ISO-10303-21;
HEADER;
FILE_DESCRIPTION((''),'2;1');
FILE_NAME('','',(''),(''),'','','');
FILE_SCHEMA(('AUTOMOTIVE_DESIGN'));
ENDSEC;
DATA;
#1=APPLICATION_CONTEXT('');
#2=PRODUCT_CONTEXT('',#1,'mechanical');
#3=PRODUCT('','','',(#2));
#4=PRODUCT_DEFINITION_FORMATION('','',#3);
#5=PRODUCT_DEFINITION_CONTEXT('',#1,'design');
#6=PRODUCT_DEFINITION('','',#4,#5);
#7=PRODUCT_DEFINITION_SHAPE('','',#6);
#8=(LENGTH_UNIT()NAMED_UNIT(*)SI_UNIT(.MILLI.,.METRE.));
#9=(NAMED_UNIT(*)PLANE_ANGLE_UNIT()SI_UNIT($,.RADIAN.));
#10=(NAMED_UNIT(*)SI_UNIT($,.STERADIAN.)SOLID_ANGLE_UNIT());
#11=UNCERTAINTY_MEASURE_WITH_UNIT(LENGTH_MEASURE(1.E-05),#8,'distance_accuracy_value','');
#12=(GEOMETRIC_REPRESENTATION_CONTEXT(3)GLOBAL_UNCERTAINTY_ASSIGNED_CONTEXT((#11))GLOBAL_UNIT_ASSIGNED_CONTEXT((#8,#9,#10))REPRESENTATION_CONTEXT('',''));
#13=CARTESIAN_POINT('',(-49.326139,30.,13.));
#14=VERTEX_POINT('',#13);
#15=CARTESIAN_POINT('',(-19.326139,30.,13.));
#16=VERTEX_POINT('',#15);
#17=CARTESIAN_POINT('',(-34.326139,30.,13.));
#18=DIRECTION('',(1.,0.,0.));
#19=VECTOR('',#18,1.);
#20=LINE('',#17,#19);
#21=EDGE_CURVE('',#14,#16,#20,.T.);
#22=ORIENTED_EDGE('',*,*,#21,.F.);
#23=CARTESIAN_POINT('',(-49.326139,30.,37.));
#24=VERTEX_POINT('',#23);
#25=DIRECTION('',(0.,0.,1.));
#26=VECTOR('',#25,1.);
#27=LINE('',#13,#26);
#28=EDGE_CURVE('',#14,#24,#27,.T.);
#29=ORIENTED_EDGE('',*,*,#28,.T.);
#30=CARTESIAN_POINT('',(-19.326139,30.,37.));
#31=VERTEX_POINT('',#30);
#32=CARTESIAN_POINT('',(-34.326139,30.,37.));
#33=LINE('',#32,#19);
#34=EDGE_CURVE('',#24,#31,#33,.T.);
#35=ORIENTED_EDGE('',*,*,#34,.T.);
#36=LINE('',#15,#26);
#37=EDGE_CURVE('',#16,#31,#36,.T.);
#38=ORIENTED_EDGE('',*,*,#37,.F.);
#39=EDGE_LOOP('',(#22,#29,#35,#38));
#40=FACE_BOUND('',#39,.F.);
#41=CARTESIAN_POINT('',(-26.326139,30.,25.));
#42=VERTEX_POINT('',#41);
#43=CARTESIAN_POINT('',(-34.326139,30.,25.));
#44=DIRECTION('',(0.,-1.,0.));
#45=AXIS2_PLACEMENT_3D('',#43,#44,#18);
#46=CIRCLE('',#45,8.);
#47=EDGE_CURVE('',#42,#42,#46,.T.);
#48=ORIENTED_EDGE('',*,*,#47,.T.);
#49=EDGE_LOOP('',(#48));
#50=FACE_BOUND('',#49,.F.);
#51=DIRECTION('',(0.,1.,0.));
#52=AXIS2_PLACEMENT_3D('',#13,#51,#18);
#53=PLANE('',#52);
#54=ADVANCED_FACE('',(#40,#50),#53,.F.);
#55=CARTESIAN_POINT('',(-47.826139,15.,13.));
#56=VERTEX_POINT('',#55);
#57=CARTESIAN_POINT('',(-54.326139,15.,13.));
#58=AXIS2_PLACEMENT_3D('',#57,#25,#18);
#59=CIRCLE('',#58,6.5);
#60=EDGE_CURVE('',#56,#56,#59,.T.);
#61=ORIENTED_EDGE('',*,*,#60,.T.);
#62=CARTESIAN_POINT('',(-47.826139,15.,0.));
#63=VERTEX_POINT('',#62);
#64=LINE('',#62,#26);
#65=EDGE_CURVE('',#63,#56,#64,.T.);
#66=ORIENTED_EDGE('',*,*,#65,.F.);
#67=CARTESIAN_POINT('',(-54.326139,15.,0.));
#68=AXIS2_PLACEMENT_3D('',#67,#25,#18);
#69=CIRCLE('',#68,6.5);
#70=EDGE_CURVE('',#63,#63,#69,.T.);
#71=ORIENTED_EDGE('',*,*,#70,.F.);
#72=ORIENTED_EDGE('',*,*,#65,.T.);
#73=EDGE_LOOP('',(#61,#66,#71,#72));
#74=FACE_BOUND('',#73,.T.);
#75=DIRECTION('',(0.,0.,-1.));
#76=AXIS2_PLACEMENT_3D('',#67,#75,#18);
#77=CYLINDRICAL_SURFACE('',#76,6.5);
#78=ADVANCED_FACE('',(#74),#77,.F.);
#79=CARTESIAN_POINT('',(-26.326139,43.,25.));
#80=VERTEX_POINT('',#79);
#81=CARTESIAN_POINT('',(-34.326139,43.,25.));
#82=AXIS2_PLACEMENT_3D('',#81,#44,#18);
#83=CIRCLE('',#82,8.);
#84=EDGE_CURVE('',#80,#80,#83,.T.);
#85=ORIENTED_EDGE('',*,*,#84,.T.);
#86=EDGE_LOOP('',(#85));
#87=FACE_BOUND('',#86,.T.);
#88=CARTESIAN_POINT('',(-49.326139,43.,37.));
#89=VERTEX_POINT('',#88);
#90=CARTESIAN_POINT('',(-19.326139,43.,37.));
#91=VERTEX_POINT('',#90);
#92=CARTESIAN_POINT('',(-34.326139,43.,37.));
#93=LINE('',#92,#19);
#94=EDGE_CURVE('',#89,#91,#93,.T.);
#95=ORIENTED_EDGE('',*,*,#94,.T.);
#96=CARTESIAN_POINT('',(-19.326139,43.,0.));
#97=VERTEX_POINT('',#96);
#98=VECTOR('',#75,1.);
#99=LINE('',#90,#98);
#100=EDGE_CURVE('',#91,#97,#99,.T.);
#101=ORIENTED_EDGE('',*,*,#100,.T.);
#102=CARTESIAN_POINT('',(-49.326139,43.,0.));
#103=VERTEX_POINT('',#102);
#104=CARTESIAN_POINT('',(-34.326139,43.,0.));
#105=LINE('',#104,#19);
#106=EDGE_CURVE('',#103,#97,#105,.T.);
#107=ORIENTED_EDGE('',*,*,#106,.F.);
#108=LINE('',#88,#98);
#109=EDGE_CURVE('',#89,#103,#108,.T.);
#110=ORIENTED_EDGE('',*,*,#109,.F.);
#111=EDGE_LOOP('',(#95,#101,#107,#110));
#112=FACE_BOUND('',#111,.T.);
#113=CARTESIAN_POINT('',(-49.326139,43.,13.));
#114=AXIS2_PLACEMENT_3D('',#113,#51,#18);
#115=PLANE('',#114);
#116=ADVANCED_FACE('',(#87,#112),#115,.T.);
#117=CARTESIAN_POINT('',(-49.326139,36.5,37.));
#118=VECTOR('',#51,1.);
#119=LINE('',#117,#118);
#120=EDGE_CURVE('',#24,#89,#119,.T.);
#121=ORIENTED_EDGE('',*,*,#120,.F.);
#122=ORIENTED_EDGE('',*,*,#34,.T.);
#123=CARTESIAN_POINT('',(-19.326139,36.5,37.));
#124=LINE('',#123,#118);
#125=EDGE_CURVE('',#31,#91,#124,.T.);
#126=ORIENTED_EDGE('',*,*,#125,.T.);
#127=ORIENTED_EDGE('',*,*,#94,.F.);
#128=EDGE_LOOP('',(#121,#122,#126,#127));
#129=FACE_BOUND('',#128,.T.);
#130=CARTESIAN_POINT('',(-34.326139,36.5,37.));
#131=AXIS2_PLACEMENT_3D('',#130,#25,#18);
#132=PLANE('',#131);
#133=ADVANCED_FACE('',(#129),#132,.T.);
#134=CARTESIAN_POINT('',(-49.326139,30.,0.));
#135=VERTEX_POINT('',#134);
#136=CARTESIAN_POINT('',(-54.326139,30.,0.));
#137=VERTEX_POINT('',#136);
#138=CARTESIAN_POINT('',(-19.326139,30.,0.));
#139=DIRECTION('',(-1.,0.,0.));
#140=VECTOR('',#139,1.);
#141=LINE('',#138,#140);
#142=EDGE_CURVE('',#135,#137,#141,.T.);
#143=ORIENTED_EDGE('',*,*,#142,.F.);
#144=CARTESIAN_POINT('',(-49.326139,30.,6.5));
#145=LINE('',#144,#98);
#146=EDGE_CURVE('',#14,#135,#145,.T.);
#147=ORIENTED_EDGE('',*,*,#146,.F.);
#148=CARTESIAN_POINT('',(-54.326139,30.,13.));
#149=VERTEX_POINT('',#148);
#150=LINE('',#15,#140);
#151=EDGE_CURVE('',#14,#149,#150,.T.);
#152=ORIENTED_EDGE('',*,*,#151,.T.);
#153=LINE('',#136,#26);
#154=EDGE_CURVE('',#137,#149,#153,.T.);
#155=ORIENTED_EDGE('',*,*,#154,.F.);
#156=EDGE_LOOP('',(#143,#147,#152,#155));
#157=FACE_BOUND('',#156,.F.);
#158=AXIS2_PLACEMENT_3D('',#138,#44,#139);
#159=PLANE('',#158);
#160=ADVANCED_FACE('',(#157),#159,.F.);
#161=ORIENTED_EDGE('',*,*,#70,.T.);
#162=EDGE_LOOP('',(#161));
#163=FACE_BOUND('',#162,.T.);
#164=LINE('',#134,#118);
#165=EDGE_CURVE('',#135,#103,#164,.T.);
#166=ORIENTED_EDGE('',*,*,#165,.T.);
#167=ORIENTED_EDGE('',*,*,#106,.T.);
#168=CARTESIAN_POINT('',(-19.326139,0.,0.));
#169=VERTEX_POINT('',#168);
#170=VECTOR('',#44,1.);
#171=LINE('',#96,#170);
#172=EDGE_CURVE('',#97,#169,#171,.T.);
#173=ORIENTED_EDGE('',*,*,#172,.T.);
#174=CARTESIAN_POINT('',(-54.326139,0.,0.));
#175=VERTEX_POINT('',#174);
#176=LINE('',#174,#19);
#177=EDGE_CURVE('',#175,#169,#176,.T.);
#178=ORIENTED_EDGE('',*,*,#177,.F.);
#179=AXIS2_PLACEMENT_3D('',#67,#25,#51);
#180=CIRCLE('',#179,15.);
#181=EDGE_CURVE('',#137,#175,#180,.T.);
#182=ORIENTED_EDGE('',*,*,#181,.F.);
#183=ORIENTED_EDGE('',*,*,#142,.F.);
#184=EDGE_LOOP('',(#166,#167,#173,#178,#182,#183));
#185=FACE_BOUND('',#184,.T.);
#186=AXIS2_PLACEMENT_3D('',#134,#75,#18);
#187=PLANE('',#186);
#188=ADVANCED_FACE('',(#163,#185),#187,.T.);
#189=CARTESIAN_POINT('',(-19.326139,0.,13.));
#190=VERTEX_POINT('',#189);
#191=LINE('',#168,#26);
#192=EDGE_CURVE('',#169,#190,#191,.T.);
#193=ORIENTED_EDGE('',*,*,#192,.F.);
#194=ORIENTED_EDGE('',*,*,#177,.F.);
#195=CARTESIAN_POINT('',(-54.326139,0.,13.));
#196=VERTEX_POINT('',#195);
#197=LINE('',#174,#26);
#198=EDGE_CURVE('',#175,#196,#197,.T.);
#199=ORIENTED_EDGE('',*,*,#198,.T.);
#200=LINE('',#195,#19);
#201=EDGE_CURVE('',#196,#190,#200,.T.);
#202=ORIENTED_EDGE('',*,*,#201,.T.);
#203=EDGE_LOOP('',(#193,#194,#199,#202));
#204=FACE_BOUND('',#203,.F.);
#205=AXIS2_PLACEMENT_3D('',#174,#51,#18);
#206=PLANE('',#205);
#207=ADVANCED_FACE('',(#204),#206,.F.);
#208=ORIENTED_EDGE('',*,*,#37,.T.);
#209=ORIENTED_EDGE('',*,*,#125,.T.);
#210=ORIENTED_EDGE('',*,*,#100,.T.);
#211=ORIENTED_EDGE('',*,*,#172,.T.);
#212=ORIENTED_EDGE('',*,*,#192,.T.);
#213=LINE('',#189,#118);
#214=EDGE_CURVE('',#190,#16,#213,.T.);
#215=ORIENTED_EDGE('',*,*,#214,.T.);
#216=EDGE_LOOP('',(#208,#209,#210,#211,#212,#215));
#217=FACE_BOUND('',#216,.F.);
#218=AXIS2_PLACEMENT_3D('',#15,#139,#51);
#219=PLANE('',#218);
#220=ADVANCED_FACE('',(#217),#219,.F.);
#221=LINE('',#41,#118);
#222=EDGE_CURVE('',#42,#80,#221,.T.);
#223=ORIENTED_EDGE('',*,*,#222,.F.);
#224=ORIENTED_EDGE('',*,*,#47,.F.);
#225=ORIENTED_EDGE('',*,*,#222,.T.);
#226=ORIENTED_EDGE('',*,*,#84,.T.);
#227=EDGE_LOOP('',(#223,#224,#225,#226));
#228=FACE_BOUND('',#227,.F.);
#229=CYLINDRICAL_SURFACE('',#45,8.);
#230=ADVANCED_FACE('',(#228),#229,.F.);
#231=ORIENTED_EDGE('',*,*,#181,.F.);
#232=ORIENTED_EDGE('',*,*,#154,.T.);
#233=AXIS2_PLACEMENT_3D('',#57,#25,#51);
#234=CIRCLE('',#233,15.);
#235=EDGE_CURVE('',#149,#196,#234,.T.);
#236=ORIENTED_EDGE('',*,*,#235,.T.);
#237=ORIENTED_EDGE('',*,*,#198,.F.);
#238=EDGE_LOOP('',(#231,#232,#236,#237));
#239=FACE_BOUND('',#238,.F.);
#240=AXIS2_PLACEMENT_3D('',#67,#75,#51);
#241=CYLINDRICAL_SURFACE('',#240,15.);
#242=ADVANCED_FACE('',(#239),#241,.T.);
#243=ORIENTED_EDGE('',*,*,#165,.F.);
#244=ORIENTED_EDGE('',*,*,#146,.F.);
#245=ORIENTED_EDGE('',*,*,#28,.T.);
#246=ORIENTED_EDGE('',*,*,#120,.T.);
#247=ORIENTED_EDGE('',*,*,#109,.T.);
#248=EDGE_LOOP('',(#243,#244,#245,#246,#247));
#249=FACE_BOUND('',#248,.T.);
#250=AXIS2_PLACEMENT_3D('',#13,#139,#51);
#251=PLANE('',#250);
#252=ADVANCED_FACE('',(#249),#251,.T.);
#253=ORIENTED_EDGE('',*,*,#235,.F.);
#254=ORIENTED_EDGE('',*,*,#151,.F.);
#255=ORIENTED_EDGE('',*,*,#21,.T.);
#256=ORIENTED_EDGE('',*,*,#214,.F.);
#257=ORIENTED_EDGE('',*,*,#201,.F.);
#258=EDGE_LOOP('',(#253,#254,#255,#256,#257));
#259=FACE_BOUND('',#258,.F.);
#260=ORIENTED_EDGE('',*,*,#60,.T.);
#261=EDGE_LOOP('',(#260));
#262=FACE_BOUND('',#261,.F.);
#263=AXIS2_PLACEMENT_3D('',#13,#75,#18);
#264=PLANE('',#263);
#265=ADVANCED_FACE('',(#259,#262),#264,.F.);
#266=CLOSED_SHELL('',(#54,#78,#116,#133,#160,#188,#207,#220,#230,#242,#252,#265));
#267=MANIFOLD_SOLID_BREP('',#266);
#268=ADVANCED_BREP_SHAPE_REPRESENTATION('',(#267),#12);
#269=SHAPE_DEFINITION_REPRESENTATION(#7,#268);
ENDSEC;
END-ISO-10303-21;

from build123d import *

# Parameters (mm, degrees)
SKETCH1_R           = 6.5
BOSS_EXTRUDE1_DEPTH = 13
SKETCH3_W           = 30
SKETCH3_H           = 13
BOSS_EXTRUDE2_DEPTH = 13
SKETCH6_W           = 30
SKETCH6_H           = 13
BOSS_EXTRUDE4_DEPTH = 24
SKETCH7_R           = 8
CUT_EXTRUDE1_DEPTH  = 13


with BuildPart() as part:
    # Sketch1 → Boss-Extrude1 (new body)
    with BuildSketch(Plane.XY):
        with BuildLine():
            Line((-54.326139095, 0), (-19.326139095, 0))
            Line((-19.326139095, 0), (-19.326139095, 30))
            Line((-19.326139095, 30), (-54.326139095, 30))
            ThreePointArc((-54.326139095, 30), (-69.326139095, 15), (-54.326139095, 0))
        make_face()
        with Locations((-54.326139095, 15)):
            Circle(SKETCH1_R, mode=Mode.SUBTRACT)
    extrude(amount=BOSS_EXTRUDE1_DEPTH)

    # Sketch3 → Boss-Extrude2 (add)
    with BuildSketch(Plane(origin=(0, 30, 0), x_dir=(1, 0, 0), z_dir=(0, 1, 0))):
        with Locations((-34.326139095, -6.5)):
            Rectangle(SKETCH3_W, SKETCH3_H)
    extrude(amount=BOSS_EXTRUDE2_DEPTH)

    # Sketch6 → Boss-Extrude4 (add)
    with BuildSketch(Plane.XY.offset(13)):
        with Locations((-34.326139095, 36.5)):
            Rectangle(SKETCH6_W, SKETCH6_H)
    extrude(amount=BOSS_EXTRUDE4_DEPTH)

    # Sketch7 → Cut-Extrude1 (cut)
    with BuildSketch(Plane.XZ.offset(-30)):
        with Locations((-34.326139095, 25)):
            Circle(SKETCH7_R)
    extrude(amount=-CUT_EXTRUDE1_DEPTH, mode=Mode.SUBTRACT)


solid = part.part
